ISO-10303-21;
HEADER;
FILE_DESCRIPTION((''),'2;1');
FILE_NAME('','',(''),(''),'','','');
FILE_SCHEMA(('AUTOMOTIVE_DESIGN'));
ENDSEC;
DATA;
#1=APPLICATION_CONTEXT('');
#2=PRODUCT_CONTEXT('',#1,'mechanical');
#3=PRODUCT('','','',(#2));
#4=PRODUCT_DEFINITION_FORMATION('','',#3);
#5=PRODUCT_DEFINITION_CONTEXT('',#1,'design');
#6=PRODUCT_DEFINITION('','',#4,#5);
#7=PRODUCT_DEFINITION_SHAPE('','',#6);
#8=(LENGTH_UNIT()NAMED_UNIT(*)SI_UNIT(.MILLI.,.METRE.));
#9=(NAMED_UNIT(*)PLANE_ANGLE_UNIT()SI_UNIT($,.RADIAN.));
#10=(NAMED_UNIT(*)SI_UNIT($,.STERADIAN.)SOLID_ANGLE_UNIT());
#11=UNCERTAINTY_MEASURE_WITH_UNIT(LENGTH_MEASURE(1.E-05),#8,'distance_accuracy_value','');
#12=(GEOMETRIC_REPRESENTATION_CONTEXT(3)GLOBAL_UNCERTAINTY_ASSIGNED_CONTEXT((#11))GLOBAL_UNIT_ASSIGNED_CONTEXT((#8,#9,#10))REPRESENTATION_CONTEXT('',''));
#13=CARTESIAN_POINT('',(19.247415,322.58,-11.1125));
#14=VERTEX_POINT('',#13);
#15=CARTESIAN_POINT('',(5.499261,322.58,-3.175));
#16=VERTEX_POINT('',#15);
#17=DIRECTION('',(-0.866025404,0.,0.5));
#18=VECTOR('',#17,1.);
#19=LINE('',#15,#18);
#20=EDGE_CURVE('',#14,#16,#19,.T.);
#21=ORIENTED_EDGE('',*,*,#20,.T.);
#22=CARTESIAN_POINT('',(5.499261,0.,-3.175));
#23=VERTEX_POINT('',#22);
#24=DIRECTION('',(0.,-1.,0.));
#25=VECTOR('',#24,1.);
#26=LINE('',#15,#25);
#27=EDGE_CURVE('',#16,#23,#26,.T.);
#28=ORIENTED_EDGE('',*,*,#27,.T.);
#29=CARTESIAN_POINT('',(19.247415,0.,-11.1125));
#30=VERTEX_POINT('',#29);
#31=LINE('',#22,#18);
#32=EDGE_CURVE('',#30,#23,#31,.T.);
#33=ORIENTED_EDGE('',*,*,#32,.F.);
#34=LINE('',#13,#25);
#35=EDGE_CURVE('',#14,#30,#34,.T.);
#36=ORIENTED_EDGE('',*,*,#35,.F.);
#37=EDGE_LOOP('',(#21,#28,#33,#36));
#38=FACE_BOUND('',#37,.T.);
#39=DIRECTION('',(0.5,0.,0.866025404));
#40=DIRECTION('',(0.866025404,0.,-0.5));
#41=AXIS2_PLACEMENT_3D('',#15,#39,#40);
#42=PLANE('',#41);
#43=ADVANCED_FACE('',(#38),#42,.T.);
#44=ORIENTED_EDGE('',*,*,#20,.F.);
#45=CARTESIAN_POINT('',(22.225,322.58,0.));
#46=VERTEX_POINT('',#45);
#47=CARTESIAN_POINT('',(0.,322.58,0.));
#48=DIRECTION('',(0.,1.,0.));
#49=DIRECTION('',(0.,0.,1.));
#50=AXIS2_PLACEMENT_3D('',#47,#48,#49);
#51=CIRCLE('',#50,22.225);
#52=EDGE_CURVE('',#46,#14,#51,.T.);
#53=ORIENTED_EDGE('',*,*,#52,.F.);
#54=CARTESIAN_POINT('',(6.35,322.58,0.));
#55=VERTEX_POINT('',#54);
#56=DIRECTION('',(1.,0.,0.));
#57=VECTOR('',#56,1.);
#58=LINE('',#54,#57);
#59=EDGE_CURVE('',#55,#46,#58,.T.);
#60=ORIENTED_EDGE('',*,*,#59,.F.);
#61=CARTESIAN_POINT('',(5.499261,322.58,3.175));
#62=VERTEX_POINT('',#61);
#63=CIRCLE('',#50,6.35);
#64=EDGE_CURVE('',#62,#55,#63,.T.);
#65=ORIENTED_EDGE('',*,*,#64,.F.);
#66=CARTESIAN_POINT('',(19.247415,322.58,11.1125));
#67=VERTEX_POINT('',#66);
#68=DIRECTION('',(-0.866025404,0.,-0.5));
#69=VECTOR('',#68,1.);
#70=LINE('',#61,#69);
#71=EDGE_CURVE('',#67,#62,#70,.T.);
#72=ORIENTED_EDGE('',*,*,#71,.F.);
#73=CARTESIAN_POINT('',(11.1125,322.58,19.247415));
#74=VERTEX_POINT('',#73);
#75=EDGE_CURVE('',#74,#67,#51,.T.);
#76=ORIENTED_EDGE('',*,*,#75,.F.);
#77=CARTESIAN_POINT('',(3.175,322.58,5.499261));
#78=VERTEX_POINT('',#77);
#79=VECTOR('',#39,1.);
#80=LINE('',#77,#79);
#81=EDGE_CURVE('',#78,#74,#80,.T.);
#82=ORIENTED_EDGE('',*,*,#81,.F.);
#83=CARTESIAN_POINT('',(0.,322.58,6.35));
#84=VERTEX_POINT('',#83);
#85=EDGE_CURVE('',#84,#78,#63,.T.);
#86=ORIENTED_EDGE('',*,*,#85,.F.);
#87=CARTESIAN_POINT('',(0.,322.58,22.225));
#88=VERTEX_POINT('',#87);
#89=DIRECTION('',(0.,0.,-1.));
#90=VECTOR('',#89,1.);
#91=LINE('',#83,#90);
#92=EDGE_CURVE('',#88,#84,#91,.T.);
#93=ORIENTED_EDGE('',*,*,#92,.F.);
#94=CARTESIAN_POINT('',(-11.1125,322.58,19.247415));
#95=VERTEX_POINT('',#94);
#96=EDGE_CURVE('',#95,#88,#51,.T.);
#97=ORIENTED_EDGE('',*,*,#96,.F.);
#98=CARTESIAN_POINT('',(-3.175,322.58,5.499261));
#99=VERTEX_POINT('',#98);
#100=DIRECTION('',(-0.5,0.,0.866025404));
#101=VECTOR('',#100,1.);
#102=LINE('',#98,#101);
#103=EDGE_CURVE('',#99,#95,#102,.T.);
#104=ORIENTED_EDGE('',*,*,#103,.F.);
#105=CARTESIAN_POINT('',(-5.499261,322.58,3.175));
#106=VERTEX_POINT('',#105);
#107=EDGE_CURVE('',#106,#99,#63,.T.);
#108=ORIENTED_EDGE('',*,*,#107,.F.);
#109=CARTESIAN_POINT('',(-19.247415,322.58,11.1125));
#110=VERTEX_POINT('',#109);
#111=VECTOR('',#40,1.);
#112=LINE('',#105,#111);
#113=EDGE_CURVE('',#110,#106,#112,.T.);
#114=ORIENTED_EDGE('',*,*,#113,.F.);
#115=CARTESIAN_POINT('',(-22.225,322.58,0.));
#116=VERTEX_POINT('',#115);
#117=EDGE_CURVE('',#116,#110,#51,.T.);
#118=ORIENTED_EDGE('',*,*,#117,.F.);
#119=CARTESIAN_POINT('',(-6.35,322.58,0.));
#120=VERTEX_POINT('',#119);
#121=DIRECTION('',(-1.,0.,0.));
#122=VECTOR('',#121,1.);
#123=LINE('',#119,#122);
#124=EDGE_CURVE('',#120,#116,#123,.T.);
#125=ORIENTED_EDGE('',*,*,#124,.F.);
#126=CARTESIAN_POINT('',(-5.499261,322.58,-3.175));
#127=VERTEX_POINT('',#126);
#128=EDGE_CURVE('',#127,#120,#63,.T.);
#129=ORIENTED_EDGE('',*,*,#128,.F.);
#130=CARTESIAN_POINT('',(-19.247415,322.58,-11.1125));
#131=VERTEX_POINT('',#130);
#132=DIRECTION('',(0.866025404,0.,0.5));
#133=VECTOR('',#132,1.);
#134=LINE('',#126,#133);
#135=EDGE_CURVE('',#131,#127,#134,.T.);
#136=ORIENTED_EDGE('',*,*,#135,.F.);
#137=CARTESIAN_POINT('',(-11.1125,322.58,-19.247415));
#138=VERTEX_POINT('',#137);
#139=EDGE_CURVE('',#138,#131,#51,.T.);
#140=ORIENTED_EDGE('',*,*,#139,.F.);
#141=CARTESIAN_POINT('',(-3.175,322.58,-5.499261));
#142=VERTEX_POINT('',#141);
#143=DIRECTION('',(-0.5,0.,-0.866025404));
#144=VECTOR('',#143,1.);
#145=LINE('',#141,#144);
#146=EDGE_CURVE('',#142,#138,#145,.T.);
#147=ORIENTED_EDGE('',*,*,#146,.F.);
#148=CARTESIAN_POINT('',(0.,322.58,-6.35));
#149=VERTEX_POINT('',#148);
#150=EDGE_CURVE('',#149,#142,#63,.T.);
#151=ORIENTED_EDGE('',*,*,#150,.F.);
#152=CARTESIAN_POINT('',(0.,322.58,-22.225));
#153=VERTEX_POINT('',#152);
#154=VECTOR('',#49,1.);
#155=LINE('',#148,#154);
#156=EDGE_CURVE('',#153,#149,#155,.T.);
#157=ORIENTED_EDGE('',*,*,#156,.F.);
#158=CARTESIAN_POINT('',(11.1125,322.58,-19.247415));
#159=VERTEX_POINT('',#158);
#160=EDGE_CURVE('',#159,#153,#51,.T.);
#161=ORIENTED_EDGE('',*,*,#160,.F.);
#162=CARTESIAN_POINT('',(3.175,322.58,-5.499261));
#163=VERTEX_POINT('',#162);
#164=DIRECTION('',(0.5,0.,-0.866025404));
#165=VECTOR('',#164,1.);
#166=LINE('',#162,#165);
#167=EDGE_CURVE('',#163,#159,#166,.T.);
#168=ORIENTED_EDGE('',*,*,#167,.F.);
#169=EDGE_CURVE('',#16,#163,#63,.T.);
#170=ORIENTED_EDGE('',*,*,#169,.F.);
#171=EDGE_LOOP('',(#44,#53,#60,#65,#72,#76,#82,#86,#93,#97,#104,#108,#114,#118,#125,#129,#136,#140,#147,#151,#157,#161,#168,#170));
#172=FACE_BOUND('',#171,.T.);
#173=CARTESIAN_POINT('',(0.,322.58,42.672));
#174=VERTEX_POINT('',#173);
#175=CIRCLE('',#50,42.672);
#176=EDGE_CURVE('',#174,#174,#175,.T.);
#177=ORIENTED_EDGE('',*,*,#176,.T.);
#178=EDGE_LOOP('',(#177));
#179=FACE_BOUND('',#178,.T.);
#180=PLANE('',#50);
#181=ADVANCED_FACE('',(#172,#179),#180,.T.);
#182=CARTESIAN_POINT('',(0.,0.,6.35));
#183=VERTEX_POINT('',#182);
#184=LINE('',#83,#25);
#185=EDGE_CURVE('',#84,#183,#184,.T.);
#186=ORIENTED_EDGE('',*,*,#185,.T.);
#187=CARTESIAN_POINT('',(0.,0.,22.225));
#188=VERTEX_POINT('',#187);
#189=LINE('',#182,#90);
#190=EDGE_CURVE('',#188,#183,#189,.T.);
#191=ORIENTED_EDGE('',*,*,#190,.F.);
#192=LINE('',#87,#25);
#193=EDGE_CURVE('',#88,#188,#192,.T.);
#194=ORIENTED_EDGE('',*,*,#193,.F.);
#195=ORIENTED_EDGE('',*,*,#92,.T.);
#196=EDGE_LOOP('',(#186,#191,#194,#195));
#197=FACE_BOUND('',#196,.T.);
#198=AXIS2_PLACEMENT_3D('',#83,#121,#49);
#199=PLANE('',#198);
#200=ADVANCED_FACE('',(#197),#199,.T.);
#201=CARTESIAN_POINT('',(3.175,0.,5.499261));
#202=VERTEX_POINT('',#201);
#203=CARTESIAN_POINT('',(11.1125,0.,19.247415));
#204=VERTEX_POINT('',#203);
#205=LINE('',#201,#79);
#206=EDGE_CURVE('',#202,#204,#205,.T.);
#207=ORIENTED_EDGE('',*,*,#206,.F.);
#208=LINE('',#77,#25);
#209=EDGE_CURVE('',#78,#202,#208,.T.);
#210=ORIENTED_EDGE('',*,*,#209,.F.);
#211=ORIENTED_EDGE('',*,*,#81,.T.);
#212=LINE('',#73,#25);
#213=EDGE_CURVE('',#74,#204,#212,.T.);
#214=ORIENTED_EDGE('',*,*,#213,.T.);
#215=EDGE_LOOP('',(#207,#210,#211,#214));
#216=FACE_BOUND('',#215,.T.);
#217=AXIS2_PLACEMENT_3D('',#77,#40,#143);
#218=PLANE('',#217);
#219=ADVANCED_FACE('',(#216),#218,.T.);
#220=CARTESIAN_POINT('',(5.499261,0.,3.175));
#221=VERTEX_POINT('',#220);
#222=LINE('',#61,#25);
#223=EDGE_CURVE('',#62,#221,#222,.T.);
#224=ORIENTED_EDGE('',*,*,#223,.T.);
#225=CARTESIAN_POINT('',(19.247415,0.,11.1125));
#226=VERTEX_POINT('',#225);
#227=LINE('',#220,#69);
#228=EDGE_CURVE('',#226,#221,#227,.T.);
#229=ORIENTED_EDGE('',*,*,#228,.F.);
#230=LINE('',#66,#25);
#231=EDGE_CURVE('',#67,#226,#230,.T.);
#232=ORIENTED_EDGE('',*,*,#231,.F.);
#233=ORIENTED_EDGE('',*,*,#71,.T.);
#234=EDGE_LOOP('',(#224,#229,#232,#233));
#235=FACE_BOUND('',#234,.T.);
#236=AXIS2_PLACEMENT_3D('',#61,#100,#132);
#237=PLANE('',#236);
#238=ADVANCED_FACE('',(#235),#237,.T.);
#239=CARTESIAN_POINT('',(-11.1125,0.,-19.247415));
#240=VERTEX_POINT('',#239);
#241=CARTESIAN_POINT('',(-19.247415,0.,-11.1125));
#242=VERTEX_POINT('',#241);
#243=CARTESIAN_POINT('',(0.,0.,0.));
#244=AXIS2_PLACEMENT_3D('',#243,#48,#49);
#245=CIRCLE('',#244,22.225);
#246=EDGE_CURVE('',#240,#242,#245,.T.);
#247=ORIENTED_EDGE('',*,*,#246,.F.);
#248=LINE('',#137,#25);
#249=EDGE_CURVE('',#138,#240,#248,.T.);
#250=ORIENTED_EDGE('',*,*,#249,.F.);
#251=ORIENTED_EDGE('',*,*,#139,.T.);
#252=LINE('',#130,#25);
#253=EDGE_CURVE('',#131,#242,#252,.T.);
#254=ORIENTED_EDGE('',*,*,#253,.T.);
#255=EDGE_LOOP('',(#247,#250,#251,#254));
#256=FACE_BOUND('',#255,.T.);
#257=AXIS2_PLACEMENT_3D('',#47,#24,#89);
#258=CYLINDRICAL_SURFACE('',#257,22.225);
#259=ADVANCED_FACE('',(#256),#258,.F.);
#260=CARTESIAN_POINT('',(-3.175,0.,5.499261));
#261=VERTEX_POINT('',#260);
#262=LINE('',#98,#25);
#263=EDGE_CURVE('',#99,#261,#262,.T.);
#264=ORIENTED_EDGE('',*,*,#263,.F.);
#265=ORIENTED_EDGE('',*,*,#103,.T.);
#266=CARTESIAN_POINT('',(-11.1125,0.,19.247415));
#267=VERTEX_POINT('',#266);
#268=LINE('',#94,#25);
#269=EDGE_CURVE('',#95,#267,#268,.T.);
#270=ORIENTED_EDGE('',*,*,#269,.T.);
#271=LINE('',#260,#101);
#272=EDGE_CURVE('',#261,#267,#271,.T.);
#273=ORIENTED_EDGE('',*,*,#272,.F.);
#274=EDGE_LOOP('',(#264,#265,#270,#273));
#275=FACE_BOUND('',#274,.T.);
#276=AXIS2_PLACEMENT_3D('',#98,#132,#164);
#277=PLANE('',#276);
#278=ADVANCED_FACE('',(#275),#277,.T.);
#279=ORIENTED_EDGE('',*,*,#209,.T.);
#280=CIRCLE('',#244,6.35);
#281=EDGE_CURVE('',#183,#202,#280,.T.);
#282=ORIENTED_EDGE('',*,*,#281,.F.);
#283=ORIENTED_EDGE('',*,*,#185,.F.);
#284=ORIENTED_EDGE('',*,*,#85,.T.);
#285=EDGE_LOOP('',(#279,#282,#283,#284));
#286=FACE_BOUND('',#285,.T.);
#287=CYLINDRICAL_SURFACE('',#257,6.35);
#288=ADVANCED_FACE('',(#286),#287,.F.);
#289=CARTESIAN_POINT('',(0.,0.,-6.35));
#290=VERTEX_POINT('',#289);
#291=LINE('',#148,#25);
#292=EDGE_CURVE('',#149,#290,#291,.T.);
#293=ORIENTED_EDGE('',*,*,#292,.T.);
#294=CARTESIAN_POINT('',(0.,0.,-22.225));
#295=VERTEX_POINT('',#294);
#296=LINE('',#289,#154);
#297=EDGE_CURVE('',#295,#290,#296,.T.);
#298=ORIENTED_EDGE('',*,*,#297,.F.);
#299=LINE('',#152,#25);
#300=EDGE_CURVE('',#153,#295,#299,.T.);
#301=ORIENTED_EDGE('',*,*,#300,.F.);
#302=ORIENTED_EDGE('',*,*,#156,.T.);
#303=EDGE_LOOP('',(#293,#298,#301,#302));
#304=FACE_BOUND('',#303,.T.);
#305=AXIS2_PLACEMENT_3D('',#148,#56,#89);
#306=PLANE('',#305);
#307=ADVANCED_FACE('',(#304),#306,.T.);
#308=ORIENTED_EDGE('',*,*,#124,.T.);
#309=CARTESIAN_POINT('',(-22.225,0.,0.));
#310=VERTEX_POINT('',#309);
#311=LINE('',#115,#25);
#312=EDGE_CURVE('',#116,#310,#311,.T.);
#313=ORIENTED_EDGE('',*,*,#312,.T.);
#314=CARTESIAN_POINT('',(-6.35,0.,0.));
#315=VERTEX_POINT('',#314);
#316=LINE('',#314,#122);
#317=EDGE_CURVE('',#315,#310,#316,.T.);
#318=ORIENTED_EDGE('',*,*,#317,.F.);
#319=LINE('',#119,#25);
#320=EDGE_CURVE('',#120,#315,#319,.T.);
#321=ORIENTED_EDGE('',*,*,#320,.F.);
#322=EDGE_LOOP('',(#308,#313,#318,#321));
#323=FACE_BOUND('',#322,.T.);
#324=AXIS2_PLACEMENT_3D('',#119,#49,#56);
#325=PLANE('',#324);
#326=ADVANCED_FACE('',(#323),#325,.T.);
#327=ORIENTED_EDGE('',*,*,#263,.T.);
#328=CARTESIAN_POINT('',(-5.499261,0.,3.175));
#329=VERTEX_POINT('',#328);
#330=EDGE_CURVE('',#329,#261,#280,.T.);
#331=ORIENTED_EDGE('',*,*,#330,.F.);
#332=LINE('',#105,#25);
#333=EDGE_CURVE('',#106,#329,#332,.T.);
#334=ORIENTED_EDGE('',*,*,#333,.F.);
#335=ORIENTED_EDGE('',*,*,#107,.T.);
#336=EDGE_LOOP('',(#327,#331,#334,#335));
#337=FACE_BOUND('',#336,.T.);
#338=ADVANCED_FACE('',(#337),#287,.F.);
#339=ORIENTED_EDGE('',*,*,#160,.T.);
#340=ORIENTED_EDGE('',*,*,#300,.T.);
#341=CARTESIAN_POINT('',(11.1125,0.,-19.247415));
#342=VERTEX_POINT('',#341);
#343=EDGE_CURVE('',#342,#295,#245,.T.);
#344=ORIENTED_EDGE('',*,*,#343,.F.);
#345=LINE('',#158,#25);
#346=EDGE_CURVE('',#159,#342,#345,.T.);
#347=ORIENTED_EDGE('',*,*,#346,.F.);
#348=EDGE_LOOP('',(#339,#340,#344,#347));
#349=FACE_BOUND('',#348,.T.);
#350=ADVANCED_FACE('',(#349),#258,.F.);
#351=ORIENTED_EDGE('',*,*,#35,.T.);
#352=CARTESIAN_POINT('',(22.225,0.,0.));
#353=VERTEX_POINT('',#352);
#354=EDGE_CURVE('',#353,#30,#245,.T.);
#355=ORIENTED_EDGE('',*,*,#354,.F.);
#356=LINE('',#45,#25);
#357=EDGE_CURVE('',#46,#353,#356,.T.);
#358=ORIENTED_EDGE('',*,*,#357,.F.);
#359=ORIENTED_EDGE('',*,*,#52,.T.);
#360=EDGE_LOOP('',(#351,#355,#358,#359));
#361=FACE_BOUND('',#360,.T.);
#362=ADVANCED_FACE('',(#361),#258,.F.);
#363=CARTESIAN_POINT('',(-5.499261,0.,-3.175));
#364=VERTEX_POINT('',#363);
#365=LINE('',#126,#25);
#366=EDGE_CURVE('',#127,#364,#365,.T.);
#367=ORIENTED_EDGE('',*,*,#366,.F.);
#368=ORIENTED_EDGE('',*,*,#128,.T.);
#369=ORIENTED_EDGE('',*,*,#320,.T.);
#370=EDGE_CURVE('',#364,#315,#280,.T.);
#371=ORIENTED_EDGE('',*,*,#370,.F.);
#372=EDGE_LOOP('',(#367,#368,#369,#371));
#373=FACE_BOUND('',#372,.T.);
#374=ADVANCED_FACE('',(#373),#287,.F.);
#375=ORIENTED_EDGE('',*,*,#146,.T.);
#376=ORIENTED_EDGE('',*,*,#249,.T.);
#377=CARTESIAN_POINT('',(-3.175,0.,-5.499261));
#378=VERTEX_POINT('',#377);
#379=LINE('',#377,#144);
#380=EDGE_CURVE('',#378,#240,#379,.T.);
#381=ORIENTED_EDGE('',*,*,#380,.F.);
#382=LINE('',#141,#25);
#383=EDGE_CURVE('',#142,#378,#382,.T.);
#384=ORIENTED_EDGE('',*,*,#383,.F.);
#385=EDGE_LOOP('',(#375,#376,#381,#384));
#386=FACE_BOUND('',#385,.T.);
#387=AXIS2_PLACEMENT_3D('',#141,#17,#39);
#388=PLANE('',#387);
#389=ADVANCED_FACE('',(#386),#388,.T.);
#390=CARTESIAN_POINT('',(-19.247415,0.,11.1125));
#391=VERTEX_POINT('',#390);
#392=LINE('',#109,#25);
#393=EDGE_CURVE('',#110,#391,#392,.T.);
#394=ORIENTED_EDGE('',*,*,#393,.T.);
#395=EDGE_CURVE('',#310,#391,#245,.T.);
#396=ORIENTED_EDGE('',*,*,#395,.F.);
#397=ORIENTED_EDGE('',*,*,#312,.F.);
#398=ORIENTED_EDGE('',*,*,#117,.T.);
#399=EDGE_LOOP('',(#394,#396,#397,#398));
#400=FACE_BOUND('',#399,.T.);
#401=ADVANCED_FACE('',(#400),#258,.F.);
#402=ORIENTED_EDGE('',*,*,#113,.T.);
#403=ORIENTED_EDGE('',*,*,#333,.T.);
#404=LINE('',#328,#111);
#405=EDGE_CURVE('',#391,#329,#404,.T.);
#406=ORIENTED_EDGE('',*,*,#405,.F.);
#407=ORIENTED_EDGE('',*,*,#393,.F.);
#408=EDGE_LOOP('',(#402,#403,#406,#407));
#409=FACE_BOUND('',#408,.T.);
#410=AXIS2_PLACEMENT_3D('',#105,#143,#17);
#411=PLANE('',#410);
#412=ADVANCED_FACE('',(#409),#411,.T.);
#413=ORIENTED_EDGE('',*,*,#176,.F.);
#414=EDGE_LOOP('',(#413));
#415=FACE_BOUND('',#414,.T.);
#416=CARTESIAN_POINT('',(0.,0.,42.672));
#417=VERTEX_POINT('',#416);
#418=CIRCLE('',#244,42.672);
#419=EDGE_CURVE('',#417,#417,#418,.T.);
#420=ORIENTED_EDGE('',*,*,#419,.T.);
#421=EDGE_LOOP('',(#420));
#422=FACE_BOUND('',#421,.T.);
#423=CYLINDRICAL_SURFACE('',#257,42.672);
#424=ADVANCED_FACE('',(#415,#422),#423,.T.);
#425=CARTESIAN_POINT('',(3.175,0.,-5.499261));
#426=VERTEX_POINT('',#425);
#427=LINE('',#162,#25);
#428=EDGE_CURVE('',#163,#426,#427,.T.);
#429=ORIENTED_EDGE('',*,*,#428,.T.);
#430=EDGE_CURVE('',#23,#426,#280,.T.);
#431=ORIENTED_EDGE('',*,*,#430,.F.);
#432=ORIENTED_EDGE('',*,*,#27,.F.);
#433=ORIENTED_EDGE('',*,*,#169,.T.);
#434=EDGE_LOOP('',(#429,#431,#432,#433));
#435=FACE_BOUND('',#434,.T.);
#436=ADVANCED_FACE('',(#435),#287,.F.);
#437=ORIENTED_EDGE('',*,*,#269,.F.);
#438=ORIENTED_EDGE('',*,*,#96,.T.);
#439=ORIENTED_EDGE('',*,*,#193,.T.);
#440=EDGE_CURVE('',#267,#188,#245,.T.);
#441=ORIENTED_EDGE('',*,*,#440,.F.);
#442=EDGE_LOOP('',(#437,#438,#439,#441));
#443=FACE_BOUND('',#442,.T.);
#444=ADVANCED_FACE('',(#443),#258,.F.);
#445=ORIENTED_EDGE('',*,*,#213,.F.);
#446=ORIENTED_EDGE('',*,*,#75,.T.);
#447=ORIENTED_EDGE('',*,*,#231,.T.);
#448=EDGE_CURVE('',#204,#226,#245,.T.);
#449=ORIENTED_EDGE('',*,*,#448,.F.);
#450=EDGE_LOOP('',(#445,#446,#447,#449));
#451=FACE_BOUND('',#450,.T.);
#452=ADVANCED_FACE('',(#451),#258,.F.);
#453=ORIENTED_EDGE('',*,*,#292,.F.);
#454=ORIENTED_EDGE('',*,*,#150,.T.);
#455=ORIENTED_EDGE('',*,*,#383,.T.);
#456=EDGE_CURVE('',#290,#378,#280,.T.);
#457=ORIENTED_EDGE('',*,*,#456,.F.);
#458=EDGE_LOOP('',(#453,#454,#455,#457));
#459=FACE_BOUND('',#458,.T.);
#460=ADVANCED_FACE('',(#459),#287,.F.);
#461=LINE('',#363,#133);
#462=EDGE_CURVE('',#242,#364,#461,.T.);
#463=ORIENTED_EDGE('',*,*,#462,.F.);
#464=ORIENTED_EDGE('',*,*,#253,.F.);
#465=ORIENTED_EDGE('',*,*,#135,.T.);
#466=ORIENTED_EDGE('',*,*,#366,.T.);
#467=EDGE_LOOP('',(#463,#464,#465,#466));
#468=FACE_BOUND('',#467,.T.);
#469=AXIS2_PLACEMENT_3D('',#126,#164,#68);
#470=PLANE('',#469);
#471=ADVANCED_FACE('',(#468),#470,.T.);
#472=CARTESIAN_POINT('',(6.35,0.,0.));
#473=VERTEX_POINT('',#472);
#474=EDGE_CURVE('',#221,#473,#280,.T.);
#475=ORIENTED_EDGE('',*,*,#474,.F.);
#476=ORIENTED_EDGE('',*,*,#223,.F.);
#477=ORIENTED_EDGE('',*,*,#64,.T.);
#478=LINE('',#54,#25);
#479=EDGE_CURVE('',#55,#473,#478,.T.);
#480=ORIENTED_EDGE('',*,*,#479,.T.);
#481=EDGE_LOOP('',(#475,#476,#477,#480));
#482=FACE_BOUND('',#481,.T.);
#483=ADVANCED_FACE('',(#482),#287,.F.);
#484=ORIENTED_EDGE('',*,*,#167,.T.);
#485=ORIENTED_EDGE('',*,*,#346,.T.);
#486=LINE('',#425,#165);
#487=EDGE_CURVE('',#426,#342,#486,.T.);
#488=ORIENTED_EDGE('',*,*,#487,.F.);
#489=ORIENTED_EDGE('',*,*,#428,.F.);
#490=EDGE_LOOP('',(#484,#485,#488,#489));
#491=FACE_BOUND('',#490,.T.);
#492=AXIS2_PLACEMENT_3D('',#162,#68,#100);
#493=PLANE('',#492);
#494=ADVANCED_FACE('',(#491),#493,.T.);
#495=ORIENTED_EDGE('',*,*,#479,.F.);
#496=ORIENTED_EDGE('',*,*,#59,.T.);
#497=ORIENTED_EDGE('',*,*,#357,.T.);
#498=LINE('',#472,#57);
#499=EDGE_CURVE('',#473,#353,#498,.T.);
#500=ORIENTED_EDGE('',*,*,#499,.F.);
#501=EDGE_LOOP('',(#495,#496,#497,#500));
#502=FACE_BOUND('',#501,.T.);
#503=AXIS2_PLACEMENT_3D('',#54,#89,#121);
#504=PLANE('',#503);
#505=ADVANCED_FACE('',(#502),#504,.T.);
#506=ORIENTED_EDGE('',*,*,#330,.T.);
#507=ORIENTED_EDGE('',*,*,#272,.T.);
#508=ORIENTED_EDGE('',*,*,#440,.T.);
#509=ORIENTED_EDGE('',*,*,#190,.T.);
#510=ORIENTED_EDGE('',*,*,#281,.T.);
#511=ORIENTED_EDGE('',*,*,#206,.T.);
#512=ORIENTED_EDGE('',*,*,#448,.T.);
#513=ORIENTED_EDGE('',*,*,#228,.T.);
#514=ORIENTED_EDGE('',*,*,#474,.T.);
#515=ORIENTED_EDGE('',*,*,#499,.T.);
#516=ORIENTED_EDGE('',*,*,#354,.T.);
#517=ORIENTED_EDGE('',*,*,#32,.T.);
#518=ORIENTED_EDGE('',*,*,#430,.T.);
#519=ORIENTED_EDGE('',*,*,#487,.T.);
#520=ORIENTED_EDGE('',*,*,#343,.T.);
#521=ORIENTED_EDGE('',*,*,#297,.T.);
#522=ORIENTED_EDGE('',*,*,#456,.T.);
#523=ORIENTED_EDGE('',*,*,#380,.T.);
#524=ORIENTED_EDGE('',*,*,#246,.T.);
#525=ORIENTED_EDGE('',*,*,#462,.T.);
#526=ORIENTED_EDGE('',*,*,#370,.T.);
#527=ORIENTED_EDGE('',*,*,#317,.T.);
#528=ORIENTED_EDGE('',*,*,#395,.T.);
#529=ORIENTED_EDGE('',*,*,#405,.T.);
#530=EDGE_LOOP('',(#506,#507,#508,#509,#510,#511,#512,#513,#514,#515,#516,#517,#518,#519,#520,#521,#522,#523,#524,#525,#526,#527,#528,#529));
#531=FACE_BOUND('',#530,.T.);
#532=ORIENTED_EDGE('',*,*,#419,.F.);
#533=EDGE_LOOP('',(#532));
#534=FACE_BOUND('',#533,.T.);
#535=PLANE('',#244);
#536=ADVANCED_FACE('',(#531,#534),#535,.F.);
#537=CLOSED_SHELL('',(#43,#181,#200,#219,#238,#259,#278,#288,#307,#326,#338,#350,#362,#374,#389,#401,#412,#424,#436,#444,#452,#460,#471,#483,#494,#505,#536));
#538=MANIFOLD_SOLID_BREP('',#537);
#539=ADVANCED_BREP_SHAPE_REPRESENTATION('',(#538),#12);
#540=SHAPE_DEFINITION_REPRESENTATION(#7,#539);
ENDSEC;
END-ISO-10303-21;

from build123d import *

# Parameters (mm, degrees)
SKETCH1_R           = 42.672
BOSS_EXTRUDE1_DEPTH = 322.58


with BuildPart() as part:
    # Sketch1 → Boss-Extrude1 (new body)
    with BuildSketch(Plane(origin=(0, 0, 0), x_dir=(1, 0, 0), z_dir=(0, 1, 0))):
        with Locations(Location((0, 0, 0), (0, 0, 270))):
            Circle(SKETCH1_R)
        with BuildLine():
            Line((0, 6.35), (0, 22.225))
            ThreePointArc((0, 22.225), (5.752253277, 21.467701489), (11.1125, 19.247414599))
            Line((11.1125, 19.247414599), (3.175, 5.499261314))
            ThreePointArc((3.175, 5.499261314), (4.490128061, 4.490128061), (5.499261314, 3.175))
            Line((5.499261314, 3.175), (19.247414599, 11.1125))
            ThreePointArc((19.247414599, 11.1125), (21.467701489, 5.752253277), (22.225, 0))
            Line((22.225, 0), (6.35, 0))
            ThreePointArc((6.35, 0), (6.133628997, -1.643500936), (5.499261314, -3.175))
            Line((5.499261314, -3.175), (19.247414599, -11.1125))
            ThreePointArc((19.247414599, -11.1125), (15.715448212, -15.715448212), (11.1125, -19.247414599))
            Line((11.1125, -19.247414599), (3.175, -5.499261314))
            ThreePointArc((3.175, -5.499261314), (1.643500936, -6.133628997), (0, -6.35))
            Line((0, -6.35), (0, -22.225))
            ThreePointArc((0, -22.225), (-5.752253277, -21.467701489), (-11.1125, -19.247414599))
            Line((-11.1125, -19.247414599), (-3.175, -5.499261314))
            ThreePointArc((-3.175, -5.499261314), (-4.490128061, -4.490128061), (-5.499261314, -3.175))
            Line((-5.499261314, -3.175), (-19.247414599, -11.1125))
            ThreePointArc((-19.247414599, -11.1125), (-21.467701489, -5.752253277), (-22.225, 0))
            Line((-22.225, 0), (-6.35, 0))
            ThreePointArc((-6.35, 0), (-6.133628997, 1.643500936), (-5.499261314, 3.175))
            Line((-5.499261314, 3.175), (-19.247414599, 11.1125))
            ThreePointArc((-19.247414599, 11.1125), (-15.715448212, 15.715448212), (-11.1125, 19.247414599))
            Line((-11.1125, 19.247414599), (-3.175, 5.499261314))
            ThreePointArc((-3.175, 5.499261314), (-1.643500936, 6.133628997), (0, 6.35))
        make_face(mode=Mode.SUBTRACT)
    extrude(amount=BOSS_EXTRUDE1_DEPTH)


solid = part.part
